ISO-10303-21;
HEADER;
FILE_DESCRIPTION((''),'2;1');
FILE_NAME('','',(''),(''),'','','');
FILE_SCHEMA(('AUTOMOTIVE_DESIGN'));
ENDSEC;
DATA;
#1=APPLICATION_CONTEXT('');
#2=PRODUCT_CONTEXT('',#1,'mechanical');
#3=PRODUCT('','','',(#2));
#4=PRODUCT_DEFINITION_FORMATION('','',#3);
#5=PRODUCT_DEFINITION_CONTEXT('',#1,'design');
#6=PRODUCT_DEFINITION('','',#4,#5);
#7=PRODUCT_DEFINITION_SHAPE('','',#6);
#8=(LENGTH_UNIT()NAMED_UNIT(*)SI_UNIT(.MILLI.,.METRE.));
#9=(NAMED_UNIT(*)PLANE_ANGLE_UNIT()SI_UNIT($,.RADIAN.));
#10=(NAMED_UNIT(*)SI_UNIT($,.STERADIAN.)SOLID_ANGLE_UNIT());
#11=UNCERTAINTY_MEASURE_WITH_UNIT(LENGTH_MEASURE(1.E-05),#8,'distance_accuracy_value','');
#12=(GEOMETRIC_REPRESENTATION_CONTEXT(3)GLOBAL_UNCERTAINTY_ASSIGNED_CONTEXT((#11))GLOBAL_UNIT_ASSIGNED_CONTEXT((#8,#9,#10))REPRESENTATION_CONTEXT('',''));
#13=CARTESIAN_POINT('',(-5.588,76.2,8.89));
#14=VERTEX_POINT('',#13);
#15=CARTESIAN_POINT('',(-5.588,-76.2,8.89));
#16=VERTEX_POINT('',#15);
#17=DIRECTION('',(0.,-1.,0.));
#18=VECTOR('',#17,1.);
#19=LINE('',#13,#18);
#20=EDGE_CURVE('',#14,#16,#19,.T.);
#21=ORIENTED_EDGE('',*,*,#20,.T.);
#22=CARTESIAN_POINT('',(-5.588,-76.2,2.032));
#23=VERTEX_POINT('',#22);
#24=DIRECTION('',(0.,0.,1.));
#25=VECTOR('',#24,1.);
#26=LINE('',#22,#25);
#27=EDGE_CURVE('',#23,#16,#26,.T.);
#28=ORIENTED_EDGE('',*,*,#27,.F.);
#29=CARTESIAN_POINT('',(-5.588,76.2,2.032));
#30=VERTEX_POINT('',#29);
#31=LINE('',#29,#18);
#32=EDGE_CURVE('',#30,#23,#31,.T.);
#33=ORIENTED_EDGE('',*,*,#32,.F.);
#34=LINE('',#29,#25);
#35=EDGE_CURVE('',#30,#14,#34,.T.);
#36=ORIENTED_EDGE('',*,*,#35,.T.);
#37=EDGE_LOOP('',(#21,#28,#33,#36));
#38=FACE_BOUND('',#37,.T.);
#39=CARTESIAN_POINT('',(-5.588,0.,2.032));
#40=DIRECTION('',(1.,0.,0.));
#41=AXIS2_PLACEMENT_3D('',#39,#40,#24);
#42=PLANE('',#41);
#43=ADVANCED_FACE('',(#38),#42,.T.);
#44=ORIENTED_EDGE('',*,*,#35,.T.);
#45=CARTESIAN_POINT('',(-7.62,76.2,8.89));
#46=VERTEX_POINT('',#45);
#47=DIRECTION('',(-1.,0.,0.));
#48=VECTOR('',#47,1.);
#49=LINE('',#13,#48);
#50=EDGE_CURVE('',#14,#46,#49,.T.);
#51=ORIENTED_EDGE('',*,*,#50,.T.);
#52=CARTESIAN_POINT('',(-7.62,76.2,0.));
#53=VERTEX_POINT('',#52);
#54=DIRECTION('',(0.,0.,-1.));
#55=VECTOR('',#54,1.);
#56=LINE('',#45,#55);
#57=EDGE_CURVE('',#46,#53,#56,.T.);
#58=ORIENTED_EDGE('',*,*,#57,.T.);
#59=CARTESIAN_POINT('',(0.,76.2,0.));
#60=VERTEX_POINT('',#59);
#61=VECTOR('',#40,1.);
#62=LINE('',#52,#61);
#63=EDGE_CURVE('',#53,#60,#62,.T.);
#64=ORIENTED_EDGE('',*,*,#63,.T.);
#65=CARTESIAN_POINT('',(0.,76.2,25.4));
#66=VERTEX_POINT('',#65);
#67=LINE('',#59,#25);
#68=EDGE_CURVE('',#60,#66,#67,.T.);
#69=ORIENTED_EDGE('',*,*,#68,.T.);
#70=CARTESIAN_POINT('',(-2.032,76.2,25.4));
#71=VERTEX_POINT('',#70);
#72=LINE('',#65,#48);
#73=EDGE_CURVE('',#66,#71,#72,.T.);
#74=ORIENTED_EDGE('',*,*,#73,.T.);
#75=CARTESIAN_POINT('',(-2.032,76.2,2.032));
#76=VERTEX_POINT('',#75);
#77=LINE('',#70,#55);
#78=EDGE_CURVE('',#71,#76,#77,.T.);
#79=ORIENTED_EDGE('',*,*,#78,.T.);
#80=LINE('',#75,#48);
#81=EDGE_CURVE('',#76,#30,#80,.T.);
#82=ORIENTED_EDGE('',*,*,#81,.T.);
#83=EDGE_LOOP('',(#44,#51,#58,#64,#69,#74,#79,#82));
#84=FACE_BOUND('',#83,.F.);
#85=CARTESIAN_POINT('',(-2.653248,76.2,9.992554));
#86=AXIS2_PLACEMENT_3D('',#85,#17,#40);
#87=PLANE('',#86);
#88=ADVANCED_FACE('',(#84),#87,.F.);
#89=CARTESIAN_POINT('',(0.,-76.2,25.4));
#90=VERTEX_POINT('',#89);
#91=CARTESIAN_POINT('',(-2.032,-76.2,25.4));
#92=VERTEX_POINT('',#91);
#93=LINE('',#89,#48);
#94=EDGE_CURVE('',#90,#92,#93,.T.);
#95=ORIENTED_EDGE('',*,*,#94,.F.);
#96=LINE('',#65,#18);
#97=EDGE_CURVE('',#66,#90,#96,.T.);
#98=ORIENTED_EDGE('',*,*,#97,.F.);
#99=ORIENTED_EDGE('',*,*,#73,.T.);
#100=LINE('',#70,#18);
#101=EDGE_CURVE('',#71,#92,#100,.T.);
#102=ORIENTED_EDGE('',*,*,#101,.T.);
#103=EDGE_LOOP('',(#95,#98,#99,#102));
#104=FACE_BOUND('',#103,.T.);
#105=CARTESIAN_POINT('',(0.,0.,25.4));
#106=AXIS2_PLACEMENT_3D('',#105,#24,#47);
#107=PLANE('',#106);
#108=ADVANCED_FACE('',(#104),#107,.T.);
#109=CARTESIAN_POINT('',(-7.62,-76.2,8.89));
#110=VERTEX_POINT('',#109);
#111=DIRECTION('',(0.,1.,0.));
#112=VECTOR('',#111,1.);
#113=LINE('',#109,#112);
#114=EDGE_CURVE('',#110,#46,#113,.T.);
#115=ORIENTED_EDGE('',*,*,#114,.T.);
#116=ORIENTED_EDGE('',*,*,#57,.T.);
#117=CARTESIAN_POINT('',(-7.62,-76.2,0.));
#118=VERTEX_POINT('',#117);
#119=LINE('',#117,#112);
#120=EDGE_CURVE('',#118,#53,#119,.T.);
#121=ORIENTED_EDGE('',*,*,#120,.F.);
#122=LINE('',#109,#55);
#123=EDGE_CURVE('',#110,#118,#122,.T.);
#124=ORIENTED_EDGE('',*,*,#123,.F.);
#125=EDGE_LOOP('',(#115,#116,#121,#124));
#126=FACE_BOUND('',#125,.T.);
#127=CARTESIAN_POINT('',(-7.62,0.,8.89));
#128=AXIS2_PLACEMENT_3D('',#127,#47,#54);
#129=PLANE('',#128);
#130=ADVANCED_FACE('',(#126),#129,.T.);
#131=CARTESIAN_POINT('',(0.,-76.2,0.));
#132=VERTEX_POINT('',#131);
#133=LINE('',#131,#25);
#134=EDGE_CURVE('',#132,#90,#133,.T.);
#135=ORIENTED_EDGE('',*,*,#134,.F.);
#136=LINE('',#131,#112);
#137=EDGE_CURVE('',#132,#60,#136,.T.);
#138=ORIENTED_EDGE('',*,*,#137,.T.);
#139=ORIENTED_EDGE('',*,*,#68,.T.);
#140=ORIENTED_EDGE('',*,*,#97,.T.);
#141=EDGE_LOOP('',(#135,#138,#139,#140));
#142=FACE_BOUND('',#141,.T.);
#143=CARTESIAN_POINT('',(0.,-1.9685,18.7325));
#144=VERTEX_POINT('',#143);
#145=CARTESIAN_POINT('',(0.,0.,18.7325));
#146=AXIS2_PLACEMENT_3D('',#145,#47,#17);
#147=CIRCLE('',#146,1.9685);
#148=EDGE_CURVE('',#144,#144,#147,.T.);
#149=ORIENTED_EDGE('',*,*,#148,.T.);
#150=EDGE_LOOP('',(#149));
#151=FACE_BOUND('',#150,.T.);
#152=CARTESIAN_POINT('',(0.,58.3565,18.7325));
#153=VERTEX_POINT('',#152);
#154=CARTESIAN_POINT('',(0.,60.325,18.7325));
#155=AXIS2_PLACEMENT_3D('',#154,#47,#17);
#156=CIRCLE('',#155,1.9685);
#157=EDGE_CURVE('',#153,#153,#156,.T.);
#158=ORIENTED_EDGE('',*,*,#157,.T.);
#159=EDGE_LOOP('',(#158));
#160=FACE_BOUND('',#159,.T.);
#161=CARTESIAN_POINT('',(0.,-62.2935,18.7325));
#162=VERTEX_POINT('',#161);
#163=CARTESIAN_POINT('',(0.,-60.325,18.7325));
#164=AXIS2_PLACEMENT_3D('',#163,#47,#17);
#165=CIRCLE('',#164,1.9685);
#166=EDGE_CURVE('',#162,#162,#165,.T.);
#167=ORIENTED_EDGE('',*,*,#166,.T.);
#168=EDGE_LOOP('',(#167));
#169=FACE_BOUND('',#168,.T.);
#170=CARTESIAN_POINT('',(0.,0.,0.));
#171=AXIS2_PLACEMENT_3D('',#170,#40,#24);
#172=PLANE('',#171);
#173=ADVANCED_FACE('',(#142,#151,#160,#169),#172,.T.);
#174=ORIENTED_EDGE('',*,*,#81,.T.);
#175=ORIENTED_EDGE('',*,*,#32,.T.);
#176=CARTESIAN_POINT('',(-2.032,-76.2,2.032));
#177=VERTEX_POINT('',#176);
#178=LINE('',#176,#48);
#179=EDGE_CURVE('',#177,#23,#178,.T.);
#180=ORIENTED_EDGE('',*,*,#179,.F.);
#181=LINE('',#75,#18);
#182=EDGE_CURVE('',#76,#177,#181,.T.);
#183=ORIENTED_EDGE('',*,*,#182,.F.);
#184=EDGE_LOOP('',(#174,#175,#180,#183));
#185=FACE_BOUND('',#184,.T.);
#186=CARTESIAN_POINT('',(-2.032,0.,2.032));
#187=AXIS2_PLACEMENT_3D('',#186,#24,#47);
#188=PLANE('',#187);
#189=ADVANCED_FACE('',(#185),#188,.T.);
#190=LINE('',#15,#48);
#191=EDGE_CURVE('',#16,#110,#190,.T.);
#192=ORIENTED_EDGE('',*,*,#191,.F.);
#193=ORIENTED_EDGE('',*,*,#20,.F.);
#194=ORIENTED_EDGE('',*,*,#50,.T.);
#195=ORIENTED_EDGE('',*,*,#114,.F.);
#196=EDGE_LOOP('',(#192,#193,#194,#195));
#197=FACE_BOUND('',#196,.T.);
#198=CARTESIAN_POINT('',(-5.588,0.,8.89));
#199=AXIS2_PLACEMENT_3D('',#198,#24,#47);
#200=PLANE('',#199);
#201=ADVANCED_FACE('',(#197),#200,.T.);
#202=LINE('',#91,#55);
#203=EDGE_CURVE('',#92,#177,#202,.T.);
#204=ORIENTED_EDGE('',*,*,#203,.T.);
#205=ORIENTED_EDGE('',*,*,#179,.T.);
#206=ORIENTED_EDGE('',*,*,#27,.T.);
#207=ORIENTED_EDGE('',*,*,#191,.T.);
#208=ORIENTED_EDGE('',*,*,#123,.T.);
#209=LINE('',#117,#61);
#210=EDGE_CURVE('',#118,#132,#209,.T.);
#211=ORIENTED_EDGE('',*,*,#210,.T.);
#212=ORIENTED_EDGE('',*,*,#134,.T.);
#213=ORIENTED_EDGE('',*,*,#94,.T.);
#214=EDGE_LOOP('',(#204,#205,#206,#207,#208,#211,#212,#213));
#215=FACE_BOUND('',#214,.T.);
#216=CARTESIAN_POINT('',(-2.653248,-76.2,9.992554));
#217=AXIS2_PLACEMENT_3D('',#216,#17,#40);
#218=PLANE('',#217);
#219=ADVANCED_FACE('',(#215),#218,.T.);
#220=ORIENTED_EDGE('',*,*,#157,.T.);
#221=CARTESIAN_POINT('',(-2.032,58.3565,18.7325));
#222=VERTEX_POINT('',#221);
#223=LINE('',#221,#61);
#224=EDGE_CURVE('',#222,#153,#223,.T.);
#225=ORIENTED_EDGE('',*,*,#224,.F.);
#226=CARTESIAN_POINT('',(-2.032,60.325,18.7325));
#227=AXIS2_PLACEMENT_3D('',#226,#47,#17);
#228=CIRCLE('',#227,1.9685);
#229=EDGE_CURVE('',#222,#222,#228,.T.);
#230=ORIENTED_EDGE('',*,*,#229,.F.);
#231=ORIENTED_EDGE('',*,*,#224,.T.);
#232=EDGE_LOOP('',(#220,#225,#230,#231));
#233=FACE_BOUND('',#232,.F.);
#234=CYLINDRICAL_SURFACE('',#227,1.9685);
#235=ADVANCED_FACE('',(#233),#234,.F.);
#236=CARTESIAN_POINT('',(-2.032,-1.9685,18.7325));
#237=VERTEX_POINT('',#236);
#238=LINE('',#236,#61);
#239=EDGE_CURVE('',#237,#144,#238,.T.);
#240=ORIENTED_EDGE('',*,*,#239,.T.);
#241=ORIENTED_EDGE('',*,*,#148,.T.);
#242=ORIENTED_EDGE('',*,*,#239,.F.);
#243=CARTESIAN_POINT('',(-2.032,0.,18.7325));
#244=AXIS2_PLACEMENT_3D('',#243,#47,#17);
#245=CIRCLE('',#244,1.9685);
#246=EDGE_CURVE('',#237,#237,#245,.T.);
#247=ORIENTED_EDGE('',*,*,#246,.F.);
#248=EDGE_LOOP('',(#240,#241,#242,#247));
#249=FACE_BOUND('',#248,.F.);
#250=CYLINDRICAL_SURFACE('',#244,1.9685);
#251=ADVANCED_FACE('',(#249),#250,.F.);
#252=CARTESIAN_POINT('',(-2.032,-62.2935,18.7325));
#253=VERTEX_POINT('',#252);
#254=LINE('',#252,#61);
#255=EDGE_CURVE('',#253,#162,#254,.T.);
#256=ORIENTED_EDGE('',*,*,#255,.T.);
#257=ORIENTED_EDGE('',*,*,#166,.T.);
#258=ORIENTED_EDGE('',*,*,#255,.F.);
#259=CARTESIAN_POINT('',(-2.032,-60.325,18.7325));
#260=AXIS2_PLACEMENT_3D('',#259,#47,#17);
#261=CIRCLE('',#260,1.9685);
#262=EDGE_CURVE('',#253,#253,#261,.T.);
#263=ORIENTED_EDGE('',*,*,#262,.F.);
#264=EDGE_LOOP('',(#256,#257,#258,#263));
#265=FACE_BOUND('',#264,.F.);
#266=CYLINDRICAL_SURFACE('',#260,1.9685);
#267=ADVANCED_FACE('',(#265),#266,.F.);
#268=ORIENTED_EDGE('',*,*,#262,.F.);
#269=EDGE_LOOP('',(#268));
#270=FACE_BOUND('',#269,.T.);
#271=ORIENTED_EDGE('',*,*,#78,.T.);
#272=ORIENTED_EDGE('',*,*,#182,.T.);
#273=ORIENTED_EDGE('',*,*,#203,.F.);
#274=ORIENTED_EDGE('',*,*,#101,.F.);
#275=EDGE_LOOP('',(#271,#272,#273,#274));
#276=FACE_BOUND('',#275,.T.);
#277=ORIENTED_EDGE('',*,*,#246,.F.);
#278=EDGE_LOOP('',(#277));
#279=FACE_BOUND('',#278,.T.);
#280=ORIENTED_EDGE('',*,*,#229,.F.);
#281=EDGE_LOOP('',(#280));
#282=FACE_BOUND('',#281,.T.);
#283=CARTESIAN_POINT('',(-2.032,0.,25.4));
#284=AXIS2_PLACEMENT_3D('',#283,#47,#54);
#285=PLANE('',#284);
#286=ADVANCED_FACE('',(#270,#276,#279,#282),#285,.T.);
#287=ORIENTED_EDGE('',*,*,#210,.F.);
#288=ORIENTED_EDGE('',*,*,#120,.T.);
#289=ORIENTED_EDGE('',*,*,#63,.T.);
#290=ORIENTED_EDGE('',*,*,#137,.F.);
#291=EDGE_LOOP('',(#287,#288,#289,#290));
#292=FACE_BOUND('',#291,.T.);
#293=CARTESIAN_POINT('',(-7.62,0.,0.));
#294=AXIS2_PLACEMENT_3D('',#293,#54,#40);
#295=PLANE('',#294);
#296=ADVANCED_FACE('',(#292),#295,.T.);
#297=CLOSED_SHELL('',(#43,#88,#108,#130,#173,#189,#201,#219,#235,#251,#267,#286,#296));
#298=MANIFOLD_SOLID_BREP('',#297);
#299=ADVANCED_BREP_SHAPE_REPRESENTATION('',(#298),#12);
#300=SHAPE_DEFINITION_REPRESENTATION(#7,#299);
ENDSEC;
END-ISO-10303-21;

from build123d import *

# Parameters (mm, degrees)
F1_DEPTH = 76.2
F2_R     = 1.9685
F3_DEPTH = 2.033


with BuildPart() as f1:
    # F0 (on Front) → F1 (new body, symmetric)
    with BuildSketch(Plane.XZ):
        Polygon((0, 0), (0, 25.4), (-2.032, 25.4), (-2.032, 2.032), (-5.588, 2.032), (-5.588, 8.89), (-7.62, 8.89), (-7.62, 0), align=None)
    extrude(amount=F1_DEPTH, both=True)

    # F2 (on face) → F3 (cut, through all)
    with BuildSketch(Plane(origin=(-2.032, 0, 0), x_dir=(0, -1, 0), z_dir=(-1, 0, 0))):
        with Locations((-60.325, 18.7325)):
            Circle(F2_R)
        with Locations((0, 18.7325)):
            Circle(F2_R)
        with Locations((60.325, 18.7325)):
            Circle(F2_R)
    extrude(amount=-F3_DEPTH, mode=Mode.SUBTRACT)


solid = f1.part
